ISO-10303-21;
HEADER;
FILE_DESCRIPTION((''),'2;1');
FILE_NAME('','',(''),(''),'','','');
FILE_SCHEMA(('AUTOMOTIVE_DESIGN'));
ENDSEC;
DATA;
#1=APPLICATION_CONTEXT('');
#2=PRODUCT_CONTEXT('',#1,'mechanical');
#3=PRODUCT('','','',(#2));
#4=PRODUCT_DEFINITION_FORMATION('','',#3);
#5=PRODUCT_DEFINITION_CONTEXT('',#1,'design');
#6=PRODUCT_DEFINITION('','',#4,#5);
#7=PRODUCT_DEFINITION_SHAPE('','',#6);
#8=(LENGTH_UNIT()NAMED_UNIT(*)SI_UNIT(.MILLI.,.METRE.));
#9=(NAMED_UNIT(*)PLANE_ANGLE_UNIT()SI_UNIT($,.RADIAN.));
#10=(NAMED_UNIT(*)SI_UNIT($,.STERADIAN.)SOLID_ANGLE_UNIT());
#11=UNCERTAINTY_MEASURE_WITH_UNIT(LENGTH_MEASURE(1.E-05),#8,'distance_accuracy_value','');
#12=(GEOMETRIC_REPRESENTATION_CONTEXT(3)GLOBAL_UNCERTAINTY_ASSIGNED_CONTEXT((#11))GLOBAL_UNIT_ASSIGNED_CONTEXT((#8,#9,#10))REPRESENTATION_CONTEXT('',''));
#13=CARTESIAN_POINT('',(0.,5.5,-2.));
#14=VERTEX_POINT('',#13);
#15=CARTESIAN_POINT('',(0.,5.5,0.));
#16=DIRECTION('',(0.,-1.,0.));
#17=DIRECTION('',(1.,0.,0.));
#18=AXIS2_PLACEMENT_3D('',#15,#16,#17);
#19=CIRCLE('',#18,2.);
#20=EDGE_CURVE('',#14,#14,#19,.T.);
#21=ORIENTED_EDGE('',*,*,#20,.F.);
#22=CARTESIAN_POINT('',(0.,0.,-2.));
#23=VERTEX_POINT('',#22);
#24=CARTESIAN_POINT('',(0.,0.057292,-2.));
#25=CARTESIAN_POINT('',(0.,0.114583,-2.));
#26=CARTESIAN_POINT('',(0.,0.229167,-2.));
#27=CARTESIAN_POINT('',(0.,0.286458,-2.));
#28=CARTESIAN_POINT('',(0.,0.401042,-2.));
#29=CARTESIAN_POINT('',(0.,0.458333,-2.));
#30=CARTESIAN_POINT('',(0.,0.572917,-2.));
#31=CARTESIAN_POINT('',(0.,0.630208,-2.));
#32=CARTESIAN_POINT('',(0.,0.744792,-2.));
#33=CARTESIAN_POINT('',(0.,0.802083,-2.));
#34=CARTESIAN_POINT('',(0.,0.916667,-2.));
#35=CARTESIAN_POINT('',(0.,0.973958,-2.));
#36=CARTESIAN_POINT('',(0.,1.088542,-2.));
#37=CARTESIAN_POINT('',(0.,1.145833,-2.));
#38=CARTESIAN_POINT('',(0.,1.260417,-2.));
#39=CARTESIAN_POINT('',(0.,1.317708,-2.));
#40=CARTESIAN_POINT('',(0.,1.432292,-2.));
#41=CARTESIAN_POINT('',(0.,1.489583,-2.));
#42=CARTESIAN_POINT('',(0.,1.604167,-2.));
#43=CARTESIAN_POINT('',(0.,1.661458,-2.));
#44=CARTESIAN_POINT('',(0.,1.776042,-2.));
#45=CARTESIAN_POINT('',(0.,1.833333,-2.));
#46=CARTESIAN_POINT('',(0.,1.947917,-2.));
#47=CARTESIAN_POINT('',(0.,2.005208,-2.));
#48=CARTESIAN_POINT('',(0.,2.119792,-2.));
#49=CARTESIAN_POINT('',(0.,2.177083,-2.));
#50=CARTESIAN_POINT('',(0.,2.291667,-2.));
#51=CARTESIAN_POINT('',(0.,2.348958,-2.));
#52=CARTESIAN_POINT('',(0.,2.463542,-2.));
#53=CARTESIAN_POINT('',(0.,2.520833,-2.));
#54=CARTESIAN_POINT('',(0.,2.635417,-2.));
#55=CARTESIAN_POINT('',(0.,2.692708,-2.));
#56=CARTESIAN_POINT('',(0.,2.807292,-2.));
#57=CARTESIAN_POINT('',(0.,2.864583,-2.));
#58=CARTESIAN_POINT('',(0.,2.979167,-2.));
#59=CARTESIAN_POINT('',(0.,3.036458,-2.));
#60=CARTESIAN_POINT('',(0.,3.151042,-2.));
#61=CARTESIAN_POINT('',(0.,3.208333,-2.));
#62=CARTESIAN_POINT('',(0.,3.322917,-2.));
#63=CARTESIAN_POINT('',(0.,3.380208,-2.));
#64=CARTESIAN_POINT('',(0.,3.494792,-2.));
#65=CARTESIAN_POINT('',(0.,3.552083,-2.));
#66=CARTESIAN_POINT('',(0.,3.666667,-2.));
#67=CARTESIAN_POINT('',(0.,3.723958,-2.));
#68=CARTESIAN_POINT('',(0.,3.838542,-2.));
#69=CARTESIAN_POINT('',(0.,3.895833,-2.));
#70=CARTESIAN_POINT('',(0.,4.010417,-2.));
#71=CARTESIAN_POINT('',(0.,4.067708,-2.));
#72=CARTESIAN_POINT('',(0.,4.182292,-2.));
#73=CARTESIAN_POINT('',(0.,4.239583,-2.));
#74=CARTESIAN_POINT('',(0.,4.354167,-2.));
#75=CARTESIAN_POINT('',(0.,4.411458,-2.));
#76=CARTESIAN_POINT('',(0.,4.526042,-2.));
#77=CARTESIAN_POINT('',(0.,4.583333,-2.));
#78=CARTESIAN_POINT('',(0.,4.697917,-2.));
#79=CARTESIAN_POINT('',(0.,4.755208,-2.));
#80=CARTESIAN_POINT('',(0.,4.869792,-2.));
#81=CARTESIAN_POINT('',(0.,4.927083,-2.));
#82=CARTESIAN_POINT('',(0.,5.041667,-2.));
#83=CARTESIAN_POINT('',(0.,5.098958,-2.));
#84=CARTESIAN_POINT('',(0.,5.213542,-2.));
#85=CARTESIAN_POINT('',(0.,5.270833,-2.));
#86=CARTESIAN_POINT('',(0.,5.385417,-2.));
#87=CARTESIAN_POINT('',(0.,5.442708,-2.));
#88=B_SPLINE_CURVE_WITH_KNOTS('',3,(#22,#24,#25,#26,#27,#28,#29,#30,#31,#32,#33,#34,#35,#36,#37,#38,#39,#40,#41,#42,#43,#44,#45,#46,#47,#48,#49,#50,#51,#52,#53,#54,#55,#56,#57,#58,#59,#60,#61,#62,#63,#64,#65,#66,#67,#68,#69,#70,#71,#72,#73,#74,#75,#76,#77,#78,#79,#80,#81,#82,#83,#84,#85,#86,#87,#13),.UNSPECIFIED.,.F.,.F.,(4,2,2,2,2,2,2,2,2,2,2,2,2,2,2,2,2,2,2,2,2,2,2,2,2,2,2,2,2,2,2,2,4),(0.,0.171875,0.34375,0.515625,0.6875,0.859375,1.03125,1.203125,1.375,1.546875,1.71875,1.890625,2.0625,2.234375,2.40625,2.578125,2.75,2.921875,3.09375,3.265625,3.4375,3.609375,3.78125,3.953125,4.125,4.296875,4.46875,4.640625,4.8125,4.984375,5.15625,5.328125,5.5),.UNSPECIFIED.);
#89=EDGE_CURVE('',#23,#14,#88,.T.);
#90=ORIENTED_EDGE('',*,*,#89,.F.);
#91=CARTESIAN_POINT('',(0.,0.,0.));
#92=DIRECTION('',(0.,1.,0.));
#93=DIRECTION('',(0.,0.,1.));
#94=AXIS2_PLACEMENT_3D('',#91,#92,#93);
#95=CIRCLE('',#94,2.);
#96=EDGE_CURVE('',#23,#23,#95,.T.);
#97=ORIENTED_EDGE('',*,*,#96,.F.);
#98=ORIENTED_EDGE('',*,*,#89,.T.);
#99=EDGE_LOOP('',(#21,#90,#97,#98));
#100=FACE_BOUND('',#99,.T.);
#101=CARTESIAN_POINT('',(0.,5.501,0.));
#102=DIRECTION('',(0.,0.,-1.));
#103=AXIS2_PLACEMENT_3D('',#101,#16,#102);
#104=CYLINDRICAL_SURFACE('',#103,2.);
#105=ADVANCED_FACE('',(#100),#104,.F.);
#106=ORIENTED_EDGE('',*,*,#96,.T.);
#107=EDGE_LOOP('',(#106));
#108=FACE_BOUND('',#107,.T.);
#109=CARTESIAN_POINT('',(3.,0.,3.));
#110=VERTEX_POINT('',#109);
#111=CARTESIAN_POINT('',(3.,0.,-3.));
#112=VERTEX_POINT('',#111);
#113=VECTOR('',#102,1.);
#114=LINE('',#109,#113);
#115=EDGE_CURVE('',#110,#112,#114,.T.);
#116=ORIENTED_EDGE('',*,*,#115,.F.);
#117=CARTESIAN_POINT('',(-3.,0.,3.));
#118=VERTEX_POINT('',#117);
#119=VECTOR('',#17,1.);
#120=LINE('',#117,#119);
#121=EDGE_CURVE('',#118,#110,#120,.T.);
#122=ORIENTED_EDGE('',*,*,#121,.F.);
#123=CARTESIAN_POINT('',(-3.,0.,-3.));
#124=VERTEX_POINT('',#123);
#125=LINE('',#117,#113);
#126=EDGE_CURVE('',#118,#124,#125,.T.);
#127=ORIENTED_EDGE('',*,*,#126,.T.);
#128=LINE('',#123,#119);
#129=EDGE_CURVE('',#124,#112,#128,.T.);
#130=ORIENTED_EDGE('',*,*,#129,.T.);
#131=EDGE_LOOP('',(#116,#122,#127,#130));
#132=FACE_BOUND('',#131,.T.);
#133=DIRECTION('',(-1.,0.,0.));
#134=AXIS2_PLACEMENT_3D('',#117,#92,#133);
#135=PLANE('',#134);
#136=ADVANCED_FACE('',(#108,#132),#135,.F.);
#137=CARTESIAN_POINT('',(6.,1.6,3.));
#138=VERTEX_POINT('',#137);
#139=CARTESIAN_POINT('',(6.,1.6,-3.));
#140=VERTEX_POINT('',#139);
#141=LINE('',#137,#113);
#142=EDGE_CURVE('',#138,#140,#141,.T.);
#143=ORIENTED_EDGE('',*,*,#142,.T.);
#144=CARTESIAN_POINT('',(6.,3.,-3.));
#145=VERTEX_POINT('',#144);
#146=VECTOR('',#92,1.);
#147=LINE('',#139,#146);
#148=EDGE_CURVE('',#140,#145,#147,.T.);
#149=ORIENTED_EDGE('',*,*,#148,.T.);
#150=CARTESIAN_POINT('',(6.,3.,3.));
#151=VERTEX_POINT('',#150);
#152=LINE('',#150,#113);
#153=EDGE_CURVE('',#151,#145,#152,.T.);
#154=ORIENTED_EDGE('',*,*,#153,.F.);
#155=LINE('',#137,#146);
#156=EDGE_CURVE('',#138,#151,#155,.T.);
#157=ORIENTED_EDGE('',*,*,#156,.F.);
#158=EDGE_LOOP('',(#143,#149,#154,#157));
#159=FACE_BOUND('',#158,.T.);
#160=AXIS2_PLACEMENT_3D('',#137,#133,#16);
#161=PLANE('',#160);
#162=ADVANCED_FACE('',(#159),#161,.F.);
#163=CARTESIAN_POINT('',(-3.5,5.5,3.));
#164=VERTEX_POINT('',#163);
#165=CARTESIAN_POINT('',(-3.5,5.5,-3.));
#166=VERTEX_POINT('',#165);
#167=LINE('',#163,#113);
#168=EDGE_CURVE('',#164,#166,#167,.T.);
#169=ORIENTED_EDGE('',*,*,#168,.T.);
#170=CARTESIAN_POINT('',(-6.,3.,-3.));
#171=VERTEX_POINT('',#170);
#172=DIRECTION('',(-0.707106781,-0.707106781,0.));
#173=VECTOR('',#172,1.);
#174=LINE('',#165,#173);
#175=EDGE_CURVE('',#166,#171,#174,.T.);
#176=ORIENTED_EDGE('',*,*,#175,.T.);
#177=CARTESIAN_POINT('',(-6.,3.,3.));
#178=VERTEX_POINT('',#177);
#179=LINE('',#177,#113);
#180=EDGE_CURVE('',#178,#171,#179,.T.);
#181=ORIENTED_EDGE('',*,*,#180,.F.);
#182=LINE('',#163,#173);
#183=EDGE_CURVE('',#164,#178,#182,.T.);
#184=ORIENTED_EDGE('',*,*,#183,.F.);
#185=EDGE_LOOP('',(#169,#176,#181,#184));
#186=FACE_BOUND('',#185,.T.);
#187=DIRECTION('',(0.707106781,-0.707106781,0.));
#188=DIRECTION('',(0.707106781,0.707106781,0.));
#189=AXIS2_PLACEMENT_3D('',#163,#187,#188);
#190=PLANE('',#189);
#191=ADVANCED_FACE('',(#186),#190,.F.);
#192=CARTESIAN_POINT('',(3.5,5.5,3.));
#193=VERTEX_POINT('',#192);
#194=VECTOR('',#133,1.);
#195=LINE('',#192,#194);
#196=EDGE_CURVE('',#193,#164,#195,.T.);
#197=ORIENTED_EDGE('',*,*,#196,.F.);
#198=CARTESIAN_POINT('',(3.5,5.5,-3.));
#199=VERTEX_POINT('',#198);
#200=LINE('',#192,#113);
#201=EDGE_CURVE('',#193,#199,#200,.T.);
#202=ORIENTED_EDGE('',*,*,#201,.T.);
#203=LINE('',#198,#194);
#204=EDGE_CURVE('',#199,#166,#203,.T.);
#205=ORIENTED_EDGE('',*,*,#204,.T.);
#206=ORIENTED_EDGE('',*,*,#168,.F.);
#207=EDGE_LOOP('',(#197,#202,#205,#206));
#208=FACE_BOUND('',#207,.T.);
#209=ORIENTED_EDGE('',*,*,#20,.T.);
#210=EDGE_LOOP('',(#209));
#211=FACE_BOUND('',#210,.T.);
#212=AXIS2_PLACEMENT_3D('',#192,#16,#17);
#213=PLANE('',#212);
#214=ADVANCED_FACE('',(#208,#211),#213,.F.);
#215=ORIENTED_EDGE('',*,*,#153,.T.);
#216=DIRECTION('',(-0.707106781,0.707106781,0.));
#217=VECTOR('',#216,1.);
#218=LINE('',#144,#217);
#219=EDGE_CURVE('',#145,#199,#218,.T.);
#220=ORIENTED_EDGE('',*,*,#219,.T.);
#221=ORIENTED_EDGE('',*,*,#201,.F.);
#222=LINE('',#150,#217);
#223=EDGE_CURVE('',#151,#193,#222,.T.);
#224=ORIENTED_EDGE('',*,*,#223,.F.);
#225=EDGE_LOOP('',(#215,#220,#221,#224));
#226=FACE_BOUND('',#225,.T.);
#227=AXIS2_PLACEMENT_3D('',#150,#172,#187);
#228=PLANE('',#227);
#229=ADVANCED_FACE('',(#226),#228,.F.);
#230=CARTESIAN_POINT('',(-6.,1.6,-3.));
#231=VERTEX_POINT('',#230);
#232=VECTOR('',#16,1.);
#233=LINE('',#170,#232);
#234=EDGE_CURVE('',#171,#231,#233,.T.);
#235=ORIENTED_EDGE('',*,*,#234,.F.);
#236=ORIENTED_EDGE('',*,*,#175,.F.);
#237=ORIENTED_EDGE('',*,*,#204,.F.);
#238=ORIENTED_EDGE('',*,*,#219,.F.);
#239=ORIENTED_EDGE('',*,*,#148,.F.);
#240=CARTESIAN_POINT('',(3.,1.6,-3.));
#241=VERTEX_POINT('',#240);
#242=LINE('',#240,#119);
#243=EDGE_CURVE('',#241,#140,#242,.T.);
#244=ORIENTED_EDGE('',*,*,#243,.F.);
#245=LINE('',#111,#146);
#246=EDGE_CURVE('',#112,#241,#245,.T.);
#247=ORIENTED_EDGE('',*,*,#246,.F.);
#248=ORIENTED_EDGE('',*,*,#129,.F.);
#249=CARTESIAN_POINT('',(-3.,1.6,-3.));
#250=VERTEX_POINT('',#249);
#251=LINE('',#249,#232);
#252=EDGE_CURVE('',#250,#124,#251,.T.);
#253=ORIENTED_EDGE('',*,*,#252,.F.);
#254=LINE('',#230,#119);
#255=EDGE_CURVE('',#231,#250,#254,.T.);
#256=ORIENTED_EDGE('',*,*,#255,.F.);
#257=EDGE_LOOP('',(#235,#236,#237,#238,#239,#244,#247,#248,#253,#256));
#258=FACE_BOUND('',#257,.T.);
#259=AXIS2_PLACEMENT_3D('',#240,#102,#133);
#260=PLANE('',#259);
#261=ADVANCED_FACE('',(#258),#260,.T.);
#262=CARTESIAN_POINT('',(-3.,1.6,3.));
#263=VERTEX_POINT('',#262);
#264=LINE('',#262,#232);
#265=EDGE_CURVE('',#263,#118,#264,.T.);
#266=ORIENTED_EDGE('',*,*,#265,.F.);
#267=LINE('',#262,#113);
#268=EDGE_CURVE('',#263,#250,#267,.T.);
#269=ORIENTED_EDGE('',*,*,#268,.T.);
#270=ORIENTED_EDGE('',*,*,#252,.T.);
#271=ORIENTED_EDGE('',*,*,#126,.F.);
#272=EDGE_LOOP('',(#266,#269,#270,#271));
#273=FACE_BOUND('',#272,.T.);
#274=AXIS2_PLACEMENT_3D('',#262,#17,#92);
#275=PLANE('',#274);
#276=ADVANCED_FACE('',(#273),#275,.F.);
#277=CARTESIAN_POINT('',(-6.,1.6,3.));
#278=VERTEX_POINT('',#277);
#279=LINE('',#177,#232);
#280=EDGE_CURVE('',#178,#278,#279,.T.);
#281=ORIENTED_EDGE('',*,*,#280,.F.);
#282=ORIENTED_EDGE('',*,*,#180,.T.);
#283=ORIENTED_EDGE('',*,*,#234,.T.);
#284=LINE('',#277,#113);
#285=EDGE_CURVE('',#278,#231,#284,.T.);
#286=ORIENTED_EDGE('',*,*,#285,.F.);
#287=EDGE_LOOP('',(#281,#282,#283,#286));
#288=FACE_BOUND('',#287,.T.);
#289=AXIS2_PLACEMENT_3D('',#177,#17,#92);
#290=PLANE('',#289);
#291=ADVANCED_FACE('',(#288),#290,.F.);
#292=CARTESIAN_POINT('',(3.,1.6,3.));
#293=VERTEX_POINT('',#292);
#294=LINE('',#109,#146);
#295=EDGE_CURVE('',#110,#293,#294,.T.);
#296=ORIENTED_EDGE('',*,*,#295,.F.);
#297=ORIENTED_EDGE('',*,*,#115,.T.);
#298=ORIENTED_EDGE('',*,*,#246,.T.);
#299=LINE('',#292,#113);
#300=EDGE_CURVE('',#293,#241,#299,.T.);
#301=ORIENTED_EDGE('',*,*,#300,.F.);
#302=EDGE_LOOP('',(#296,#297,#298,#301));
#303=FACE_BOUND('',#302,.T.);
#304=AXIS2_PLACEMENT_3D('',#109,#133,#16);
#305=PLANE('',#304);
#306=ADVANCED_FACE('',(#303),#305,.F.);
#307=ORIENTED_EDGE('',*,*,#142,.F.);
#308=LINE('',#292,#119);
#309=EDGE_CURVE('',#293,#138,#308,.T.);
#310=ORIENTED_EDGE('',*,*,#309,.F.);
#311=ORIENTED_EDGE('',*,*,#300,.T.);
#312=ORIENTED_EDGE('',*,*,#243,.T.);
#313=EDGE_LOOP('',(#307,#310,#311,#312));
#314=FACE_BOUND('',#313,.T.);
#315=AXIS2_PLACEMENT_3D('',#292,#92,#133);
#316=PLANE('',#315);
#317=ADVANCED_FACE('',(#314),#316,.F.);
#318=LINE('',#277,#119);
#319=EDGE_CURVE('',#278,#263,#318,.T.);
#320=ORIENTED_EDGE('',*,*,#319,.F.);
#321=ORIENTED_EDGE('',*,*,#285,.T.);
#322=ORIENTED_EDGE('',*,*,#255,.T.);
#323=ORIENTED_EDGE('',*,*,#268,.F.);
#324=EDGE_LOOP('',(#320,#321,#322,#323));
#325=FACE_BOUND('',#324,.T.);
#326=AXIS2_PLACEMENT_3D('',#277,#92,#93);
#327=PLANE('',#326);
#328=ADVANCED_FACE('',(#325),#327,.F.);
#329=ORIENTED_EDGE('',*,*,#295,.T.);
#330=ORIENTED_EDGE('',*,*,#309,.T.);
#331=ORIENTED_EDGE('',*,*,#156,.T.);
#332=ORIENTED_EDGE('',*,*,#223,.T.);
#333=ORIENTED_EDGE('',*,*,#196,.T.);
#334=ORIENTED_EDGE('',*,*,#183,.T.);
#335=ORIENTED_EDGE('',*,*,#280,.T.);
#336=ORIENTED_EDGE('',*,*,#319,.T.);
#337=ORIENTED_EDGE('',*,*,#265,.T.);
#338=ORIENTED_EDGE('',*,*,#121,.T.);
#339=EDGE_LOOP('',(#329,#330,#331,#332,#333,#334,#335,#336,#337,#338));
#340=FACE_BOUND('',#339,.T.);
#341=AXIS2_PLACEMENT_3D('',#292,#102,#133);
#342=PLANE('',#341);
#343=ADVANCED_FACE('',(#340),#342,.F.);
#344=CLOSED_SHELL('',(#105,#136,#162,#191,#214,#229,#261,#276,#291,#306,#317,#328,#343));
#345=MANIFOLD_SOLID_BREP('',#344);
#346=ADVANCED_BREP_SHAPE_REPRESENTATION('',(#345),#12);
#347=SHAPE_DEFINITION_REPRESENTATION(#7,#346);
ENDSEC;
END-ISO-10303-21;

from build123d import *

# Parameters (mm, degrees)
EXTRUDE1_DEPTH     = 3
CUT_EXTRUDE1_REACH = 10.675
SKETCH2_R          = 2


with BuildPart() as part:
    # Sketch1 → Extrude1 (new, symmetric)
    with BuildSketch(Plane.XY):
        Polygon((-3, 0), (3, 0), (3, 1.6), (6, 1.6), (6, 3), (3.5, 5.5), (-3.5, 5.5), (-6, 3), (-6, 1.6), (-3, 1.6), align=None)
    extrude(amount=EXTRUDE1_DEPTH, both=True)

    # Sketch2 → Cut-Extrude1 (cut, up to next)
    with BuildSketch(Plane(origin=(0, 0, 0), x_dir=(1, 0, 0), z_dir=(0, 1, 0)), mode=Mode.PRIVATE) as cut_extrude1_sk1:
        with Locations(Location((0, 0, 0), (0, 0, 90))):
            Circle(SKETCH2_R)
    cut_extrude1_tool1 = extrude(cut_extrude1_sk1.sketch, amount=CUT_EXTRUDE1_REACH, mode=Mode.PRIVATE) & part.part
    add(cut_extrude1_tool1.solids().sort_by_distance((0, 0, 0))[0], mode=Mode.SUBTRACT)


solid = part.part
